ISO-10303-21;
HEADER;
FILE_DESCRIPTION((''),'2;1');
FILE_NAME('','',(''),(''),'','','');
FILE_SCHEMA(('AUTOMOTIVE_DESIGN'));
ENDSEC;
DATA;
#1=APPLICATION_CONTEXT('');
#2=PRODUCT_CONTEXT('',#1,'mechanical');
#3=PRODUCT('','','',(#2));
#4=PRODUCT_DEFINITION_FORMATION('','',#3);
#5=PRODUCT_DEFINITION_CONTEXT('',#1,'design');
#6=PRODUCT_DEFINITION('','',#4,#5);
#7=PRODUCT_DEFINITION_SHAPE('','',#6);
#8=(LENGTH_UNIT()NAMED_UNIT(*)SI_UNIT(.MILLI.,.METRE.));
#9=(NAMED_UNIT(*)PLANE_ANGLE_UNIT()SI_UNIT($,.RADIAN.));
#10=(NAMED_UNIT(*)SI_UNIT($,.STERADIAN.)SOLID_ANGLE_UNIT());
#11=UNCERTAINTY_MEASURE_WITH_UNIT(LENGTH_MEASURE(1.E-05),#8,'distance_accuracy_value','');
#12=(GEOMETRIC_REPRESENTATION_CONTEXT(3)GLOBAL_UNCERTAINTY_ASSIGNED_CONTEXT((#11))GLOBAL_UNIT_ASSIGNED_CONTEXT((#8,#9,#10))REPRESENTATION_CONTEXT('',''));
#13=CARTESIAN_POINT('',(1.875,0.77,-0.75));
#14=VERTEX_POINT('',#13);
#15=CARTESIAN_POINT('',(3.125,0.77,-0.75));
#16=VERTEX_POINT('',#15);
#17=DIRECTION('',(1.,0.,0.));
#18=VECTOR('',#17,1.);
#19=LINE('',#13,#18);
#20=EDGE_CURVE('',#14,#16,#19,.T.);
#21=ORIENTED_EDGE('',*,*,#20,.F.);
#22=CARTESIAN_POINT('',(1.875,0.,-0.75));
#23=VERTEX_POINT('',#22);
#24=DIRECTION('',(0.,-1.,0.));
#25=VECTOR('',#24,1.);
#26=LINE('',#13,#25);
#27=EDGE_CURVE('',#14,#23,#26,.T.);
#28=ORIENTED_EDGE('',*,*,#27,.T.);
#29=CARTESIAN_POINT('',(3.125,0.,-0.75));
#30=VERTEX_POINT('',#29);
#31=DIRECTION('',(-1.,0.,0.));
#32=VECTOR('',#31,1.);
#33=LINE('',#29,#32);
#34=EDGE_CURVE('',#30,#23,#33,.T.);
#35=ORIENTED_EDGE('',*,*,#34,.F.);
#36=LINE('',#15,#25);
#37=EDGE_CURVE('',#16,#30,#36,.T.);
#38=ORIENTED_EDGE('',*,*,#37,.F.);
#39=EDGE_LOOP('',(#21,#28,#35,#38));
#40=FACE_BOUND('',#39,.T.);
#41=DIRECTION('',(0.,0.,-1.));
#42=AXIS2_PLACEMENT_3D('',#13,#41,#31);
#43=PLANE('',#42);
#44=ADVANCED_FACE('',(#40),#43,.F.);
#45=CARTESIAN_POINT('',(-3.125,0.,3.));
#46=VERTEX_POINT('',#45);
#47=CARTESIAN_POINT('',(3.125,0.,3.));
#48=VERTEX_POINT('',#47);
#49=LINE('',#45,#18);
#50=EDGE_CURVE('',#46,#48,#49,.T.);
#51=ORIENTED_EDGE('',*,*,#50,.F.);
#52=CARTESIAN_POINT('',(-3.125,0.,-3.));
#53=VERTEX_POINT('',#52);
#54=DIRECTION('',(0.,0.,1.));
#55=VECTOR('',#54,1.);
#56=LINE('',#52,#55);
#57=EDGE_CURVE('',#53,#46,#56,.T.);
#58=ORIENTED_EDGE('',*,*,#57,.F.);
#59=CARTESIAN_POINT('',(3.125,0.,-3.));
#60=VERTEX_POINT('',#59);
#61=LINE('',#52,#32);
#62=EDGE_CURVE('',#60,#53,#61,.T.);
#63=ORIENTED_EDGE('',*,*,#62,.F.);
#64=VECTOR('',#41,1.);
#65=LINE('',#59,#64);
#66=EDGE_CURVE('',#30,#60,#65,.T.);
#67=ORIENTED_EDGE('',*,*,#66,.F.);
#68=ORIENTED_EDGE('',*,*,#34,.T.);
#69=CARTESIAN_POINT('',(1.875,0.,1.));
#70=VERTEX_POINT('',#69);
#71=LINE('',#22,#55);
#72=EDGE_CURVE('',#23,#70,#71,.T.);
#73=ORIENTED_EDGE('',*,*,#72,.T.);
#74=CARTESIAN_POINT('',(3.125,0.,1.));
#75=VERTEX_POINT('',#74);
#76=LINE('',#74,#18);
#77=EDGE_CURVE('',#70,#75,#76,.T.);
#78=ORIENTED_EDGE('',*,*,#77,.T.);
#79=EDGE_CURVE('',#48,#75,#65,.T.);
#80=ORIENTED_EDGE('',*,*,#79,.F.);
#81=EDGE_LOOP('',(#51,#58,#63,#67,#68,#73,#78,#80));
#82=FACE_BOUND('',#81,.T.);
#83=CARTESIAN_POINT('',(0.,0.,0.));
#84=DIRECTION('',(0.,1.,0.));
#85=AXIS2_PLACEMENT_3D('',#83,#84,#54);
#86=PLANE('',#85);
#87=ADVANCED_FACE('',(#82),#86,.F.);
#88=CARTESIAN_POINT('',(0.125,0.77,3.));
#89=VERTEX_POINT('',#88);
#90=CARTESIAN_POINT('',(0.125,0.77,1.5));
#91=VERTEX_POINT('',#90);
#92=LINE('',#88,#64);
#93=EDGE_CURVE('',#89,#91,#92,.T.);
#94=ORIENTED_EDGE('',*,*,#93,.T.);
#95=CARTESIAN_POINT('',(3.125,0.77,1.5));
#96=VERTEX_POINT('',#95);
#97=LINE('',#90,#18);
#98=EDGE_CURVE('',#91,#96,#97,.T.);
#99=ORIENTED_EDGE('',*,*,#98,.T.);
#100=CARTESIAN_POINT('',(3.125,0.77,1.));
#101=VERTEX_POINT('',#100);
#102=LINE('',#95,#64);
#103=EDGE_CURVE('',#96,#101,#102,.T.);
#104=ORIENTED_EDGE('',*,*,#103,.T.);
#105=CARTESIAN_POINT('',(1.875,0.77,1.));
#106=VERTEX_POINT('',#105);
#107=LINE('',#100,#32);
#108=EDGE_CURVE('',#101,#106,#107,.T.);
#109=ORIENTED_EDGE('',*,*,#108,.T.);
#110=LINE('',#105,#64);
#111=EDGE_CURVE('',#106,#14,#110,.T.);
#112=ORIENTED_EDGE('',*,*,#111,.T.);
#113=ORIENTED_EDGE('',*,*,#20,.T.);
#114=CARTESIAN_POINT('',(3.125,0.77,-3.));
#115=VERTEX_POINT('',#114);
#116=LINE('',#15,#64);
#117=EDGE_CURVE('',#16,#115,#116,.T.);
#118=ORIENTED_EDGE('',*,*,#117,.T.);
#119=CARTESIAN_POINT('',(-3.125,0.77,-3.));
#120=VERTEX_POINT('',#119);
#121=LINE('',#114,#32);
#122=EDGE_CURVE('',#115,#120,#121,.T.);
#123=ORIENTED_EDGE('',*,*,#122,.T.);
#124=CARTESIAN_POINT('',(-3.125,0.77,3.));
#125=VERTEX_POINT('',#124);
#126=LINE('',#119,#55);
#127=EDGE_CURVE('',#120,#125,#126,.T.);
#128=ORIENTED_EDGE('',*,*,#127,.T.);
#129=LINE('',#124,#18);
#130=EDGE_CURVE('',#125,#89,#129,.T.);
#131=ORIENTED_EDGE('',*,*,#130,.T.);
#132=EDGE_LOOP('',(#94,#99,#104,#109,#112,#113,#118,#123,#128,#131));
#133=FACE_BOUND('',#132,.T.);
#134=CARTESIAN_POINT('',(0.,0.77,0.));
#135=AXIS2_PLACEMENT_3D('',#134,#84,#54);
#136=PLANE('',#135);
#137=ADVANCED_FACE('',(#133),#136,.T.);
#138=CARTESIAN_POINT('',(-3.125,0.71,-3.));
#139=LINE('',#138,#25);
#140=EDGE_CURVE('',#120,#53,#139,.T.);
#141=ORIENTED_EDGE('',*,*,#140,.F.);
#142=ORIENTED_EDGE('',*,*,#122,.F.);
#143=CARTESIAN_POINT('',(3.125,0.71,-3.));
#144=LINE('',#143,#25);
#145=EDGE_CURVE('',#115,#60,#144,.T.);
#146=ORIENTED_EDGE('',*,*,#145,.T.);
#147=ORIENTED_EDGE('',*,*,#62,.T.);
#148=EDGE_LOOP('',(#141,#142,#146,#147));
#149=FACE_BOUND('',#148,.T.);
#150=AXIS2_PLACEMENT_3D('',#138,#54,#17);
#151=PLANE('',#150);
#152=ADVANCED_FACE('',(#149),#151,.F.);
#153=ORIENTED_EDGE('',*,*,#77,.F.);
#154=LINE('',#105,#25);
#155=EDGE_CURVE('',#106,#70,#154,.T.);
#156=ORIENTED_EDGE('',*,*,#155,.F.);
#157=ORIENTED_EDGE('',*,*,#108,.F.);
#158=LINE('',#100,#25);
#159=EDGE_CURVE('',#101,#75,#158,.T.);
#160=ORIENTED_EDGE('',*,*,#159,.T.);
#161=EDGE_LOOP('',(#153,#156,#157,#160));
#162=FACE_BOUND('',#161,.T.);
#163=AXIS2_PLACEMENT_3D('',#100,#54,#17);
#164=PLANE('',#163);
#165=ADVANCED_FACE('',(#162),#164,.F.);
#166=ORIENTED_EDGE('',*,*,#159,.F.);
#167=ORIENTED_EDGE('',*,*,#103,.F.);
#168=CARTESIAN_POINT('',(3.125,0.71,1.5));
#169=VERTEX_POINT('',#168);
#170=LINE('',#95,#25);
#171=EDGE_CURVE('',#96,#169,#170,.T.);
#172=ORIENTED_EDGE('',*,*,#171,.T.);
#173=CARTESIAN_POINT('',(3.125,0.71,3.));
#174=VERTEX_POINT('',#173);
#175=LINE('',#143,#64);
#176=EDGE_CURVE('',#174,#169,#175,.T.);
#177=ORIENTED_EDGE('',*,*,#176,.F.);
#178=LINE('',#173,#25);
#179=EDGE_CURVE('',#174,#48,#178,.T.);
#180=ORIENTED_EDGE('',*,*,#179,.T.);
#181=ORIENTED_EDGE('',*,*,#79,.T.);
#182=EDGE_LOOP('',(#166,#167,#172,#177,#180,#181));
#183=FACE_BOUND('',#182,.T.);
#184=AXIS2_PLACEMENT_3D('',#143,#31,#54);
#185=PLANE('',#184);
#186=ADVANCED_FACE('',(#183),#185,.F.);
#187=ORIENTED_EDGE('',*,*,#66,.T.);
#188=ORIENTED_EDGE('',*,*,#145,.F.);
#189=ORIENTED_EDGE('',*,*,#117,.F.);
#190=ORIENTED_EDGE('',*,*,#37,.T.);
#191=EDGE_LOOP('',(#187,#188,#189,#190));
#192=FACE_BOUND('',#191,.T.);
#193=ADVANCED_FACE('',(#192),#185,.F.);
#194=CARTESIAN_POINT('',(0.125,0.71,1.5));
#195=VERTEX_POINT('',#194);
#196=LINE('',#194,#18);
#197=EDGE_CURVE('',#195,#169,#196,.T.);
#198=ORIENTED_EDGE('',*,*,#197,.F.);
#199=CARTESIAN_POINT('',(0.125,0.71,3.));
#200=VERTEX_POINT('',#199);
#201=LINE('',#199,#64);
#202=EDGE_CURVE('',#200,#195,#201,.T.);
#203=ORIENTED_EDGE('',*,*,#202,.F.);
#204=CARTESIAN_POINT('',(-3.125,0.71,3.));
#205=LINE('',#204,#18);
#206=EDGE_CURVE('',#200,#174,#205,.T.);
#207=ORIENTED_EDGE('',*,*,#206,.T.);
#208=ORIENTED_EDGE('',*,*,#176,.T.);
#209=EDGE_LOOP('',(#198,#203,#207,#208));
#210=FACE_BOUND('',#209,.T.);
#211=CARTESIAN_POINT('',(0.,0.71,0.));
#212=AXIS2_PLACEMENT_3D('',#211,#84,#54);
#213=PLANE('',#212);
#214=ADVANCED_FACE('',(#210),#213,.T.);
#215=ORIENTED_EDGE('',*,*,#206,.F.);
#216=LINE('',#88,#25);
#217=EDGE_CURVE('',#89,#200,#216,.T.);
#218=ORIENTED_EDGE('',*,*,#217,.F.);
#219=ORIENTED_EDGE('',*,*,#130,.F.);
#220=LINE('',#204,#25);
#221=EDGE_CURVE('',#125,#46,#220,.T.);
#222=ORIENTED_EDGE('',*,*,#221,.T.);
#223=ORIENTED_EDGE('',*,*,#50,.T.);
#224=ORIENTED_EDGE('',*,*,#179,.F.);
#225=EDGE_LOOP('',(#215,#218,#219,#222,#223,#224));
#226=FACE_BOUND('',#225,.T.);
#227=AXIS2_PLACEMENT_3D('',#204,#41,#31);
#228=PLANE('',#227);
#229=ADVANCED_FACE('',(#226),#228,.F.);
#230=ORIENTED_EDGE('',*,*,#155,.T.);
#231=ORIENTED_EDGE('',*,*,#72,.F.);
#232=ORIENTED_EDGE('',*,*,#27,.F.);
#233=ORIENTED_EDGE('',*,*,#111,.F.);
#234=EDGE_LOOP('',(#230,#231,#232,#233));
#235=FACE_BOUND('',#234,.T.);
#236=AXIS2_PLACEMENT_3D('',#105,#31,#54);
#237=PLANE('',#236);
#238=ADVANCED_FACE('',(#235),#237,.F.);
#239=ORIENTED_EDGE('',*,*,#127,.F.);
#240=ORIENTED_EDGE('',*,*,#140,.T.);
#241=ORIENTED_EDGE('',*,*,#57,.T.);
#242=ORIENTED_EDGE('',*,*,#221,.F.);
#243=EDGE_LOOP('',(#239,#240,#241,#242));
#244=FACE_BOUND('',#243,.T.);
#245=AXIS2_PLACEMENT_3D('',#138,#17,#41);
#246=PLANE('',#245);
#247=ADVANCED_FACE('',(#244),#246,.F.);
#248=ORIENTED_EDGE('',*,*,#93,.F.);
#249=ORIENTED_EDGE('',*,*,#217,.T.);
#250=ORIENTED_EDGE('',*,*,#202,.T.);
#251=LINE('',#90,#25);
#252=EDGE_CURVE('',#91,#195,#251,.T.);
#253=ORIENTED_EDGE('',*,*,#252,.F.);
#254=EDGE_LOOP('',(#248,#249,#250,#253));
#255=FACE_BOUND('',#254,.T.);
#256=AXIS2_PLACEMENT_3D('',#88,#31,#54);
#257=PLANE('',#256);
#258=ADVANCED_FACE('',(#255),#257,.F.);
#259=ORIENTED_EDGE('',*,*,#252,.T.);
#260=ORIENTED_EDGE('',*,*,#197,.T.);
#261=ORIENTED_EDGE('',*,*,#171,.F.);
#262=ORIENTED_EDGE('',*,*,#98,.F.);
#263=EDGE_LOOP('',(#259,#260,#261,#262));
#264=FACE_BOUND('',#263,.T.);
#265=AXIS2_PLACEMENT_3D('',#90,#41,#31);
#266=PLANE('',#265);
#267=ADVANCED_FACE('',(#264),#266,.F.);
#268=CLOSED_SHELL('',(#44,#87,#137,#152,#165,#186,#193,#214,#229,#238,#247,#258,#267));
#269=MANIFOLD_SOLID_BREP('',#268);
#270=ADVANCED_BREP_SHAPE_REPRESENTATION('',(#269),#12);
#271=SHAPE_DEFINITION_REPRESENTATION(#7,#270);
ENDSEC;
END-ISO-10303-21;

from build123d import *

# Parameters (mm, degrees)
SKETCH1_W           = 6.25
SKETCH1_H           = 6
BOSS_EXTRUDE1_DEPTH = 0.71
BOSS_EXTRUDE2_DEPTH = 0.06
SKETCH3_W           = 1.25
SKETCH3_H           = 1.75
CUT_EXTRUDE1_DEPTH  = 1.71


with BuildPart() as part:
    # Sketch1 → Boss-Extrude1 (new body)
    with BuildSketch(Plane(origin=(0, 0, 0), x_dir=(1, 0, 0), z_dir=(0, 1, 0))):
        Rectangle(SKETCH1_W, SKETCH1_H)
    extrude(amount=BOSS_EXTRUDE1_DEPTH)

    # Sketch2 → Boss-Extrude2 (add)
    with BuildSketch(Plane(origin=(0, 0.71, 0), x_dir=(1, 0, 0), z_dir=(0, 1, 0))):
        Polygon((3.125, 3), (-3.125, 3), (-3.125, -3), (0.125, -3), (0.125, -1.5), (3.125, -1.5), (3.125, -1), (1.875, -1), (1.875, 0.75), (3.125, 0.75), align=None)
    extrude(amount=BOSS_EXTRUDE2_DEPTH)

    # Sketch3 → Cut-Extrude1 (cut, through all)
    with BuildSketch(Plane(origin=(0, 0.71, 0), x_dir=(1, 0, 0), z_dir=(0, 1, 0))):
        with Locations((2.5, -0.125)):
            Rectangle(SKETCH3_W, SKETCH3_H)
    extrude(amount=-CUT_EXTRUDE1_DEPTH, mode=Mode.SUBTRACT)


solid = part.part
